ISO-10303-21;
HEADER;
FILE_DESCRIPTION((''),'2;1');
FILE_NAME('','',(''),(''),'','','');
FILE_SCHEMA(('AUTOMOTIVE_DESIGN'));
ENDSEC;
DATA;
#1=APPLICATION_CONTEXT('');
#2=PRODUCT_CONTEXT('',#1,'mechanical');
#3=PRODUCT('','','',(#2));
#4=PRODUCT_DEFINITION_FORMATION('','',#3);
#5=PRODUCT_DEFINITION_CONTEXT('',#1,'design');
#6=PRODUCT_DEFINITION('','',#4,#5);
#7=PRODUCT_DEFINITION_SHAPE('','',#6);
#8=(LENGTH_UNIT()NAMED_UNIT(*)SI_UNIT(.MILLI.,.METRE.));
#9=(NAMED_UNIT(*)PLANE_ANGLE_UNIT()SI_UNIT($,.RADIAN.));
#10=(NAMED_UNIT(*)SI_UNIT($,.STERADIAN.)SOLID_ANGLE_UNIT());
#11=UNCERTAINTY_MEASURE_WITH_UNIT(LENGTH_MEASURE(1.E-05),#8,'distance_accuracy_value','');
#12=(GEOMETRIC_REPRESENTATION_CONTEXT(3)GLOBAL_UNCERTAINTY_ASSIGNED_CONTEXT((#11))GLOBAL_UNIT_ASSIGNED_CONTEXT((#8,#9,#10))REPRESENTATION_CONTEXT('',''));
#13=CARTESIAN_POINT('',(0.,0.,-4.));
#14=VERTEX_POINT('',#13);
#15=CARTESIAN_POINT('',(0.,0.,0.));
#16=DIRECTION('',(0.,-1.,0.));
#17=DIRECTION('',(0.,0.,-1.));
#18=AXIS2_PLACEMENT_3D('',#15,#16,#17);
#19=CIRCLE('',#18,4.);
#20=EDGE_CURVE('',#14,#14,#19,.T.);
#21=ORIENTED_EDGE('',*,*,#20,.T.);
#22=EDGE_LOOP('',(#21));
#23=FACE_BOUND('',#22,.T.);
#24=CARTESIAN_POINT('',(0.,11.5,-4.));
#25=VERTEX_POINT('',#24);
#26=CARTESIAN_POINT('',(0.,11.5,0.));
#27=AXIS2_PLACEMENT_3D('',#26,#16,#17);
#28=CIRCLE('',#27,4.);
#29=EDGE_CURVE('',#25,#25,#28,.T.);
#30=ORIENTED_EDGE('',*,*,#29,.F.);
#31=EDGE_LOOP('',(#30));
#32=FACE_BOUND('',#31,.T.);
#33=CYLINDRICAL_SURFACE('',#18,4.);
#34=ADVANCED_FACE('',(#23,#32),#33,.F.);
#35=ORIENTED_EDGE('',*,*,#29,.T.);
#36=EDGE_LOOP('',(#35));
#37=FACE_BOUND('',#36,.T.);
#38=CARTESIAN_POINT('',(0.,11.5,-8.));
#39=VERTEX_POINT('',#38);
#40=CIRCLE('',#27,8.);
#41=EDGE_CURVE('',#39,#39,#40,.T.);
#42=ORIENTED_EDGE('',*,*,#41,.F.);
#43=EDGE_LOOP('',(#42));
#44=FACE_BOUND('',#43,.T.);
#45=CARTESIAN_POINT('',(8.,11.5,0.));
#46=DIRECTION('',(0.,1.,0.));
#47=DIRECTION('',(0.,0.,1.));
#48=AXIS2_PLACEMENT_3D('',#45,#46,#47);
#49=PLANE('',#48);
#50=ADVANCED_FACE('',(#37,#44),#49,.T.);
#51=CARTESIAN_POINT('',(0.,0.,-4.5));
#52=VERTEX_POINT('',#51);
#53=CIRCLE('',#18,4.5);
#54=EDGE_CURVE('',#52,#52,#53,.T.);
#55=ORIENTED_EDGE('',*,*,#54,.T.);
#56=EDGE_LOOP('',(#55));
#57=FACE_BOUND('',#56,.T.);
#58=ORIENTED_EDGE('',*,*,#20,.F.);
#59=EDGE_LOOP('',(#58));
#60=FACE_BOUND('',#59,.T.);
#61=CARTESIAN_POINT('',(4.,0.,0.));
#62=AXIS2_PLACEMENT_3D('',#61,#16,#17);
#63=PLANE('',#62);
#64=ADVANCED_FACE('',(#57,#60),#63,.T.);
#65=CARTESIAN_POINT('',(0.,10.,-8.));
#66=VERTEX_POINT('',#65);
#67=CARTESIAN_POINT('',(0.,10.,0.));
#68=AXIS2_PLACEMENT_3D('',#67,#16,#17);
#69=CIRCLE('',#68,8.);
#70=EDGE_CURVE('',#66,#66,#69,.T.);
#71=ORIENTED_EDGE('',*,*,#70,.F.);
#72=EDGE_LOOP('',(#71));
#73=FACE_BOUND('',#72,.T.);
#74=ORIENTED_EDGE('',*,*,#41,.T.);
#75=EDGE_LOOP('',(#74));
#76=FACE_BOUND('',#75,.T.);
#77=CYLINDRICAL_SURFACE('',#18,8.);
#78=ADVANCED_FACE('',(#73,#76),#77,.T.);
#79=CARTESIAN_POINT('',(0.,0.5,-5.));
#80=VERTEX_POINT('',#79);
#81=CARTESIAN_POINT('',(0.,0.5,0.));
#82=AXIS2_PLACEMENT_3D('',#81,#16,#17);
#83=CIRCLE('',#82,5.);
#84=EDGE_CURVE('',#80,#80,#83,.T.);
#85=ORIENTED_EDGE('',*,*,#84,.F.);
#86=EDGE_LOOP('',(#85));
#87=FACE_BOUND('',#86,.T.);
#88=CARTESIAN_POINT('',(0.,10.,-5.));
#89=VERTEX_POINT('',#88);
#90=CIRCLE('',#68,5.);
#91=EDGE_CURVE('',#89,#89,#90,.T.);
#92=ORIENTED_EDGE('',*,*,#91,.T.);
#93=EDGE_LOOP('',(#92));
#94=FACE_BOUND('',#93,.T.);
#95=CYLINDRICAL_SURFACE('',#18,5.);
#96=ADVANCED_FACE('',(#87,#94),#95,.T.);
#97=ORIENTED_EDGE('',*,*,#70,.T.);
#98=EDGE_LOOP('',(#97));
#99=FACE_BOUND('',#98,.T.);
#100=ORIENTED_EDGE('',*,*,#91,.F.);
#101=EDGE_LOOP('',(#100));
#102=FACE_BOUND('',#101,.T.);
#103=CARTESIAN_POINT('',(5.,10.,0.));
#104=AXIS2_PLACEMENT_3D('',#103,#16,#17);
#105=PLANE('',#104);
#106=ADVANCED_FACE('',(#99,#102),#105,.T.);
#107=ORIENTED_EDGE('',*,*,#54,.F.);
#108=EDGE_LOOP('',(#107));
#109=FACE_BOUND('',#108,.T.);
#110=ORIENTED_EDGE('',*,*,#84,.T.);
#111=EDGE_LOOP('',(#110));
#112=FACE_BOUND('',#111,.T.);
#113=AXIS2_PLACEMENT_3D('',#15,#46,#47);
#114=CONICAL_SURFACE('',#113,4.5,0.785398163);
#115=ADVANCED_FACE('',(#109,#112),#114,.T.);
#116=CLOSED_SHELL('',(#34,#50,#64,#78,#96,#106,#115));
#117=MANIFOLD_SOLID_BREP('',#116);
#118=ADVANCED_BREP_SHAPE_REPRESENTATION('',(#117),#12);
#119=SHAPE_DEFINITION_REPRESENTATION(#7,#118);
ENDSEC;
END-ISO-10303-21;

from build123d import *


with BuildPart() as part:
    # Esquisse1 → Base-Révolution (revolve)
    with BuildSketch(Plane.XY, mode=Mode.PRIVATE) as base_r_volution_sk:
        Polygon((4, 0), (4.5, 0), (5, 0.5), (5, 10), (8, 10), (8, 11.5), (4, 11.5), align=None)
    revolve(base_r_volution_sk.sketch.rotate(Axis((0, 0, 0), (0, 1, 0)), 90), axis=Axis((0, 0, 0), (0, 1, 0)))


solid = part.part
